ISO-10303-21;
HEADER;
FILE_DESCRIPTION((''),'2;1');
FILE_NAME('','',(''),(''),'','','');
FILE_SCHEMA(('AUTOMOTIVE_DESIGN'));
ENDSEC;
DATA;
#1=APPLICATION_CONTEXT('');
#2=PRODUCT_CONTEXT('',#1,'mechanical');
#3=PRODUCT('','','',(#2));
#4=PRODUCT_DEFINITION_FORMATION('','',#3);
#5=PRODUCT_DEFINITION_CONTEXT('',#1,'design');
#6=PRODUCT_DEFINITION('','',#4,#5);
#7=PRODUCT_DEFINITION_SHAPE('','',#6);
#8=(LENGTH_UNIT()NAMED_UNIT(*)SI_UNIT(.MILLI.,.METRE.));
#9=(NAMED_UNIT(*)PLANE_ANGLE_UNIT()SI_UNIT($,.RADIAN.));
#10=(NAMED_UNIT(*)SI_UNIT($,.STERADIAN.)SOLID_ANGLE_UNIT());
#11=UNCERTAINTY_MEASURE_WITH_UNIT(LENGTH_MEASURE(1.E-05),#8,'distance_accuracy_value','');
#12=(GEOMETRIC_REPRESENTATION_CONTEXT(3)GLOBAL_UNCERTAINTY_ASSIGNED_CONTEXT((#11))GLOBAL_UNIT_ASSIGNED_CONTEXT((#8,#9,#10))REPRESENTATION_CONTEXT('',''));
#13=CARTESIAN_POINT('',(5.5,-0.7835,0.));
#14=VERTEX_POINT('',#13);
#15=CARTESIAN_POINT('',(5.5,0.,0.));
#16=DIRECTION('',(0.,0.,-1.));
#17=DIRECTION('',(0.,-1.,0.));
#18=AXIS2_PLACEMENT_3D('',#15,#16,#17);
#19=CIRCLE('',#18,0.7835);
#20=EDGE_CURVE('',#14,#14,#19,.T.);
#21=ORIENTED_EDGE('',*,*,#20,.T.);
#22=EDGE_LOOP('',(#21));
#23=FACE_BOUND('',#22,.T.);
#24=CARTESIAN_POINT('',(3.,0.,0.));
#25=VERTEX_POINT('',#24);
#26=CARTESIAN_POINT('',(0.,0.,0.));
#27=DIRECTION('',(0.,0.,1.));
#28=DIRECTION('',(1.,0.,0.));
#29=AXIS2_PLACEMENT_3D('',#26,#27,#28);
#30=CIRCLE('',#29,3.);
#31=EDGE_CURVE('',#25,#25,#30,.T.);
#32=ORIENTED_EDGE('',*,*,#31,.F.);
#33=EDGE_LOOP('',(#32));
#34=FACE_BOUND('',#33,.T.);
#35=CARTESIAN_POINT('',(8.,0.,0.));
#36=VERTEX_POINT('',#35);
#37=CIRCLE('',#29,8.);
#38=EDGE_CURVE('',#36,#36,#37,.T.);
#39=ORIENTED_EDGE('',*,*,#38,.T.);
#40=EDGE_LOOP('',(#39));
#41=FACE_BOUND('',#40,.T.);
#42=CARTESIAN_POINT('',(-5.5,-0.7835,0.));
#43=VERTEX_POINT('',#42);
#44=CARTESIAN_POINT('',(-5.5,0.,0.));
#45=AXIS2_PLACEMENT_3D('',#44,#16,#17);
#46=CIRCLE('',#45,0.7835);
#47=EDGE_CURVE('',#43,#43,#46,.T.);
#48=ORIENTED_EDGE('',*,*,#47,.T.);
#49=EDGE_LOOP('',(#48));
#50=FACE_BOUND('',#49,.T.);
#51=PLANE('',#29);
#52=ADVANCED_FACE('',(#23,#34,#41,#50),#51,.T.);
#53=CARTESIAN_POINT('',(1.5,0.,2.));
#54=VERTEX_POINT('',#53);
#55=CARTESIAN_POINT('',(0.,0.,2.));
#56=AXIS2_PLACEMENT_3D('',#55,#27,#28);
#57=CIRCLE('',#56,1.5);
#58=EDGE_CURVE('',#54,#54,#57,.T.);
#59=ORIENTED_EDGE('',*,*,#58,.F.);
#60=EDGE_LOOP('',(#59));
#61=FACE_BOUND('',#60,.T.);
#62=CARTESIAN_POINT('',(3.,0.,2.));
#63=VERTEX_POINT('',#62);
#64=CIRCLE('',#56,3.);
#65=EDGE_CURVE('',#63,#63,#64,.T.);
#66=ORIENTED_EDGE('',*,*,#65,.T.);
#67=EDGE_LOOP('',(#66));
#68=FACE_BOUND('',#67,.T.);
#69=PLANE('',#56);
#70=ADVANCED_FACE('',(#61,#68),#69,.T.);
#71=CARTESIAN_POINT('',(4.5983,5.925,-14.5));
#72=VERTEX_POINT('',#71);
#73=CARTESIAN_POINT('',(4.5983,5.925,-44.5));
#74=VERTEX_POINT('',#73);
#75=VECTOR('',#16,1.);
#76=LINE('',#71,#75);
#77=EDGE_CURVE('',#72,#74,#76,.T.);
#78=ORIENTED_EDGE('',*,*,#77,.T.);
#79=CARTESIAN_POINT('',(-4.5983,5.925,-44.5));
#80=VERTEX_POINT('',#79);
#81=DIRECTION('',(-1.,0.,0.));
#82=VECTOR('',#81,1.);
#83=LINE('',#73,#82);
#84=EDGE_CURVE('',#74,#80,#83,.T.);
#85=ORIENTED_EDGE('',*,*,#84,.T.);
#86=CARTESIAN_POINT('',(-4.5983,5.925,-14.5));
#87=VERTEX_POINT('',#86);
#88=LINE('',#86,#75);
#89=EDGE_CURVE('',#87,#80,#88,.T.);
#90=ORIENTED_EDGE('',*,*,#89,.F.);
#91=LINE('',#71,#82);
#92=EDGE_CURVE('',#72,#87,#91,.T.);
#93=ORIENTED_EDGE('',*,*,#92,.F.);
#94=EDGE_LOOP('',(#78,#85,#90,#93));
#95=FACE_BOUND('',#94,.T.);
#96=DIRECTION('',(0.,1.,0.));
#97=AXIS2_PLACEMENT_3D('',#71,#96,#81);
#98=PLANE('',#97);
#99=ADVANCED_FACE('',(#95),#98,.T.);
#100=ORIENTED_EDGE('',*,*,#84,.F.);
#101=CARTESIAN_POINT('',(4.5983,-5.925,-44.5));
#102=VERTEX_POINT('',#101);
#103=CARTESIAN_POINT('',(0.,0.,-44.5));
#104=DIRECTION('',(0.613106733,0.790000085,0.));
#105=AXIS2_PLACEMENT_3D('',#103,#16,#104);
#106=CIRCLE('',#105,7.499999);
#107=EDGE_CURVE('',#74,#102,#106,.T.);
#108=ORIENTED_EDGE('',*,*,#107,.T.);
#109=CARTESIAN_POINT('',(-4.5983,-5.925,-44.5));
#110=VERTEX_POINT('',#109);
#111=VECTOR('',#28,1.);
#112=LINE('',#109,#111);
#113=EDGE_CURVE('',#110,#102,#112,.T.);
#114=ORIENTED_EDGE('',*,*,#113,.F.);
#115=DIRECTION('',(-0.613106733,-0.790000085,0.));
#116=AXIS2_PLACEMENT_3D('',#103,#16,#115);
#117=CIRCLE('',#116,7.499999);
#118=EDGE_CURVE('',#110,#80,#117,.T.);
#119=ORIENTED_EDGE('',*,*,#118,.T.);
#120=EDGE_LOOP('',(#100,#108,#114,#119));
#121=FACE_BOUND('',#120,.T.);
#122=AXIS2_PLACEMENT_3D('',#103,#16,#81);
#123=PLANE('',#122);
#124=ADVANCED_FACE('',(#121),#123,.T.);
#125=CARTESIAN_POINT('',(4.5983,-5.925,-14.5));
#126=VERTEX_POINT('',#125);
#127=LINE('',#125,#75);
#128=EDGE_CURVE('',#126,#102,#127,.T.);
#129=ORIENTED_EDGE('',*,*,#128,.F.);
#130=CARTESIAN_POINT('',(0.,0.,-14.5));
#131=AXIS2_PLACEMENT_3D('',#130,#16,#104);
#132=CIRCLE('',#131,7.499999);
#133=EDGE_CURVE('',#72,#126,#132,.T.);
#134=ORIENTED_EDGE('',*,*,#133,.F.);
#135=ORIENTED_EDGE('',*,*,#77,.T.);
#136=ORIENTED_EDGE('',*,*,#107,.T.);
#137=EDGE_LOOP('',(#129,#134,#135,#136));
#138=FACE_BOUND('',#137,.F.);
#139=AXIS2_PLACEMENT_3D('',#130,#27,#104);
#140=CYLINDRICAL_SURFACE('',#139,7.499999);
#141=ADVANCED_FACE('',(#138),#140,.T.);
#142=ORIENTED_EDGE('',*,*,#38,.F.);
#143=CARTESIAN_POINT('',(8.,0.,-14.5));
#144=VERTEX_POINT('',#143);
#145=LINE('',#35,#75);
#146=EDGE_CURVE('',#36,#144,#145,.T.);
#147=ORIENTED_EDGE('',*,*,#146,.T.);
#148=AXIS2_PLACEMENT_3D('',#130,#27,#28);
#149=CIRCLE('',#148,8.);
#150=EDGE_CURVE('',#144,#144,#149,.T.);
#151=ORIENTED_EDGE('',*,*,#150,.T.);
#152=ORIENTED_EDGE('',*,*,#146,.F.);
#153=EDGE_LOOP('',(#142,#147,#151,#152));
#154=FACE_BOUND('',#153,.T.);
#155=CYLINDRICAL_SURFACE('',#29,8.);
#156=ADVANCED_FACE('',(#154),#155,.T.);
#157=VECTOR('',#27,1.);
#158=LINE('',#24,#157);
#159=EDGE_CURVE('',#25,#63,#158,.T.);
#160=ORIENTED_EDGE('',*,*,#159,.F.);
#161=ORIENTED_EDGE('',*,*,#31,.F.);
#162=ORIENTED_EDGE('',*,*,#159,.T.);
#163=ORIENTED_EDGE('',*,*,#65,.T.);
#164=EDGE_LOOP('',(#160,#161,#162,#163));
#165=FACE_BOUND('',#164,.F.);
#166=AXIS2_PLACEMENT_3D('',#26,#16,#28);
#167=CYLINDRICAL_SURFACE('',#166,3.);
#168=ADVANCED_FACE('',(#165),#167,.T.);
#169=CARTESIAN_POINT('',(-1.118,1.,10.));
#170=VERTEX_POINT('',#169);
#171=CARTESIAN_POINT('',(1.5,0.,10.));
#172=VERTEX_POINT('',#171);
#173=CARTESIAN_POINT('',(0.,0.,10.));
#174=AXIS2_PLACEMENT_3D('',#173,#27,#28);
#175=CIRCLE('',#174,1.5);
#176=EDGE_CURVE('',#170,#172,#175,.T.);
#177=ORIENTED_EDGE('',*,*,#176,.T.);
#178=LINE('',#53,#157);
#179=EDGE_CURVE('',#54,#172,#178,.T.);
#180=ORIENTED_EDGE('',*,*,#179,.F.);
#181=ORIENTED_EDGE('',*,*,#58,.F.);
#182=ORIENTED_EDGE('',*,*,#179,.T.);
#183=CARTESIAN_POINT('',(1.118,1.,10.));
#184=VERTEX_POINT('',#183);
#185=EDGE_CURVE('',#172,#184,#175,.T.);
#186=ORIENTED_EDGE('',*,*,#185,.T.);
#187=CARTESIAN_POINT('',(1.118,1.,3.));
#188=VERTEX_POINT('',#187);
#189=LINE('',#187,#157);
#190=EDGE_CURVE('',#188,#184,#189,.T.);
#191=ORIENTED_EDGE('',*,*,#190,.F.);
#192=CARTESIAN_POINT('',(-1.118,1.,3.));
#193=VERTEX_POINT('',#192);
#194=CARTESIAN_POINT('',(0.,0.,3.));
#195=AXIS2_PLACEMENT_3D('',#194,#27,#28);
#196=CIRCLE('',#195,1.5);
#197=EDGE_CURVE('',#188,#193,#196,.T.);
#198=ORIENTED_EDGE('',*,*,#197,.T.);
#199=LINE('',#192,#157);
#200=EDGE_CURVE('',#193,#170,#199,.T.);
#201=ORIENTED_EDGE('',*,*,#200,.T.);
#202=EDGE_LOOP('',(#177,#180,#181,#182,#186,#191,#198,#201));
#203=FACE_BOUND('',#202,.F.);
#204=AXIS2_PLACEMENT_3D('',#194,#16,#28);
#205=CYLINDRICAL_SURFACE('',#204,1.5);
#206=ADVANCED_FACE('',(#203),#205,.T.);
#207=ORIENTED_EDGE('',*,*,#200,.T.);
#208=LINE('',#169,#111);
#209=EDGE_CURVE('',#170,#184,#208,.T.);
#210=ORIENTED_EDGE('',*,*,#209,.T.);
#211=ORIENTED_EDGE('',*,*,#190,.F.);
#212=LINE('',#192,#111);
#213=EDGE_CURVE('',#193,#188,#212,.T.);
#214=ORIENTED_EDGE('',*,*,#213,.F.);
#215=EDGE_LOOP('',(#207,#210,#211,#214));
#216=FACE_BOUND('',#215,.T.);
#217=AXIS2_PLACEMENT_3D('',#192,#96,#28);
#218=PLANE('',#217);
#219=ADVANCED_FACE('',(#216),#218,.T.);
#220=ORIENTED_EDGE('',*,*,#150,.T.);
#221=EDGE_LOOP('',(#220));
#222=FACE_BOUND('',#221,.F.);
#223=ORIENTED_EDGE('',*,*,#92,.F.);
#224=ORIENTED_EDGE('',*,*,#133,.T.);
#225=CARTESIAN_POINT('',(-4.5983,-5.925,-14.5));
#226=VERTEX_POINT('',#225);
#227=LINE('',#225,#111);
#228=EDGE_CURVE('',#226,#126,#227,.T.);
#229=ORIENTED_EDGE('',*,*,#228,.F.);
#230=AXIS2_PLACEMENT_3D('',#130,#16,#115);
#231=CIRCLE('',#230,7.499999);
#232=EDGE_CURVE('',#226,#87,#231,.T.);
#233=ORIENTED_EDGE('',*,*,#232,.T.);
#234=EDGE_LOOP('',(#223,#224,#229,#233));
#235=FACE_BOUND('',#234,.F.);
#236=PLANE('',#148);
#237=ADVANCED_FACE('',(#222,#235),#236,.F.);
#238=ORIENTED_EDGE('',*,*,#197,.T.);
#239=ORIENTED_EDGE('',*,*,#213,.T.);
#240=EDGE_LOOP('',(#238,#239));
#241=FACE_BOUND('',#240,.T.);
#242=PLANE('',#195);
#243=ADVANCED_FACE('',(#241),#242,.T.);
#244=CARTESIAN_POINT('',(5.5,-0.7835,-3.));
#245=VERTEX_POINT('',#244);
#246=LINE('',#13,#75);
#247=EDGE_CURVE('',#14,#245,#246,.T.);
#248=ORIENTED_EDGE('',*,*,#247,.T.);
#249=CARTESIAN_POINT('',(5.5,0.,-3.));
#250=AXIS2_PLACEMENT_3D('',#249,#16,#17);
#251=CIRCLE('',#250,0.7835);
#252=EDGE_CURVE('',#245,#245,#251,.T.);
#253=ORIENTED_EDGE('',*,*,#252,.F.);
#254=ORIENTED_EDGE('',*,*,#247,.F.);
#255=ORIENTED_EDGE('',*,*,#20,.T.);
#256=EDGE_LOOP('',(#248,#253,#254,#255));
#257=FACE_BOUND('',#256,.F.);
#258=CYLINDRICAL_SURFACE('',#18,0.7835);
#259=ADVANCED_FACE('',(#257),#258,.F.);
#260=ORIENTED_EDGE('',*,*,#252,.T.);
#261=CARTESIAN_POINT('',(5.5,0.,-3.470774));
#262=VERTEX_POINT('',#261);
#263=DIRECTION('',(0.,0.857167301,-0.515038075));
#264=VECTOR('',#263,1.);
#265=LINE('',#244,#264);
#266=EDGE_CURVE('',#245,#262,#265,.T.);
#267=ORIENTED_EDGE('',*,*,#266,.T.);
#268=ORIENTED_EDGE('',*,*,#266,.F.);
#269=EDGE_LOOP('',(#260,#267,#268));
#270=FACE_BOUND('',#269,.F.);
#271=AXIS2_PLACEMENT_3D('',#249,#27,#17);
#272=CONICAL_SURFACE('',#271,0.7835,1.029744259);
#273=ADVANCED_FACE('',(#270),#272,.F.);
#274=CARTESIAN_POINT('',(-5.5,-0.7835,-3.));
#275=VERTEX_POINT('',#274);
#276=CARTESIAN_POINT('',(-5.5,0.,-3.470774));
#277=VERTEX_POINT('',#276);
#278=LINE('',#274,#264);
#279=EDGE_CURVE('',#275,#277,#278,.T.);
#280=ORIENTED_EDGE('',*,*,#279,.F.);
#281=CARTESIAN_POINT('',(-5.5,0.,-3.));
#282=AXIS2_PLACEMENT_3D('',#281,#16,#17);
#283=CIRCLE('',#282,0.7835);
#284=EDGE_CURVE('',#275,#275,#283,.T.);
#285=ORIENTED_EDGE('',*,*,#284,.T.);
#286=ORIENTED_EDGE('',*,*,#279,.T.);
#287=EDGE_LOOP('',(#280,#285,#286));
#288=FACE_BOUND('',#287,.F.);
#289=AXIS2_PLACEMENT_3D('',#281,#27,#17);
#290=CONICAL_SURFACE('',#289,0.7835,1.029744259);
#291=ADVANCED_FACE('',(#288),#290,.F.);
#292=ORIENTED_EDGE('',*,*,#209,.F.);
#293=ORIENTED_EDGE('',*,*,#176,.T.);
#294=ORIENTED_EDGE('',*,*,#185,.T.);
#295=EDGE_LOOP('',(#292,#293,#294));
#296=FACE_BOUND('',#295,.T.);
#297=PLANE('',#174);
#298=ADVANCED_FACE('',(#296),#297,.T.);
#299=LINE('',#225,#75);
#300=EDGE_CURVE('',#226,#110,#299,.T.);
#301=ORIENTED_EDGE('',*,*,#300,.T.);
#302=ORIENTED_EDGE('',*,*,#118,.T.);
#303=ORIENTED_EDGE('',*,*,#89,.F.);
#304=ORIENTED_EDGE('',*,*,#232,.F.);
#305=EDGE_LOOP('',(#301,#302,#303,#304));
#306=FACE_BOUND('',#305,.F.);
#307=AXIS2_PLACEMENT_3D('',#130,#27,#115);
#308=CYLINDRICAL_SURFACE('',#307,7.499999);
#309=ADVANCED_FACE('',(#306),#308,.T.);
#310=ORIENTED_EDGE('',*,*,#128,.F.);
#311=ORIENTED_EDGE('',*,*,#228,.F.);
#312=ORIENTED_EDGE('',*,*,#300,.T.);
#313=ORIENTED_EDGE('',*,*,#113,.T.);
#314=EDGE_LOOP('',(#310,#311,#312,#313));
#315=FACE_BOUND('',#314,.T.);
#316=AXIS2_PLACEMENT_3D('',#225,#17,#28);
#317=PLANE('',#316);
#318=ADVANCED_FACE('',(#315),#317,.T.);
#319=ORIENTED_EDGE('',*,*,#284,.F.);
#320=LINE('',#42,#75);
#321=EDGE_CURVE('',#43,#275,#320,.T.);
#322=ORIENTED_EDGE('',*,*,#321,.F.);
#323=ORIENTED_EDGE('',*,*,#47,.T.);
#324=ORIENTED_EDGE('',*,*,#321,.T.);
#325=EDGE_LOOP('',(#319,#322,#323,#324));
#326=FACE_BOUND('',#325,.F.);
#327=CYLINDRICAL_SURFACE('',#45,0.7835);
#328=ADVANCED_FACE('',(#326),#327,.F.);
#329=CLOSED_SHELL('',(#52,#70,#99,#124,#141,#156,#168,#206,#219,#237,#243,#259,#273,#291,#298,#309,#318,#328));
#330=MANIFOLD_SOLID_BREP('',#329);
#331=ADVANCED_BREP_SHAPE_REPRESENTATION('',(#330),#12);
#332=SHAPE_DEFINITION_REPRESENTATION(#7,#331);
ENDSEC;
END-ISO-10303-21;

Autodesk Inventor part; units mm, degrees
ref_plane "YZ Plane" through (0, 0, 0) normal (1, 0, 0) x (0, 1, 0)
ref_plane "XZ Plane" through (0, 0, 0) normal (0, 1, 0) x (-1, 0, 0)
ref_plane "XY Plane" through (0, 0, 0) normal (0, 0, 1) x (1, 0, 0)
sketch "Skizze1" plane through (0, 0, 0) normal (0, 0, 1) x (1, 0, 0)
  circle A0 centre (0, 0) radius 8
  line L0 (-5.5, 0) -> (5.5, 0) construction
  circle A1 centre (0, 0) radius 3
  circle A2 centre (0, 0) radius 1.5
  arc A3 (-1.118, 1) -> (1.118, 1) centre (0, 0) ccw construction
  line L1 (-1.118, 1) -> (1.118, 1)
  dimension "d3" = 3
  dimension "d0" = 16
  dimension "d1" = 11
  dimension "d2" = 6
  dimension "d4" = 2.5
extrude "Extrusion1" add sketch "Skizze1" along normal blind 2 contours A1 | A2 L1 | L1 A2
sketch "Skizze2" plane through (0, 0, 2) normal (0, 0, 1) x (1, 0, 0)
  circle A0 centre (0, 0) radius 1.5 projected
extrude "Extrusion2" add sketch "Skizze2" along normal blind 1
sketch "Skizze3" plane through (0, 0, 3) normal (0, 0, 1) x (1, 0, 0)
  circle A0 centre (0, 0) radius 1.5 projected
  line L0 (-1.118, 1) -> (1.118, 1) projected
  circle A1 centre (0, 0) radius 1.5 projected
extrude "Extrusion3" add sketch "Skizze3" along normal blind 7 contours A0 L0 picked at (0.0594, 0.1702)
extrude "Extrusion4" add sketch "Skizze1" against normal blind 14.5 contours A0 | A1 | A2 L1 | L1 A2
sketch "Skizze4" plane through (0, 0, -14.5) normal (0, 0, -1) x (-1, 0, 0)
  circle A0 centre (0, 0) radius 8 projected
  arc A1 (-4.5983, 5.925) -> (-4.5983, -5.925) centre (0, 0) ccw
  arc A2 (4.5983, -5.925) -> (4.5983, 5.925) centre (0, 0) ccw
  line L0 (-4.5983, 5.925) -> (4.5983, 5.925)
  line L1 (4.5983, -5.925) -> (-4.5983, -5.925)
  dimension "d14" = 7.5
  dimension "d15" = 11.85
extrude "Extrusion5" add sketch "Skizze4" along normal blind 30 contours L0 A2 L1 A1
hole "Bohrung1" at (-5.5, 0, 0) at (5.5, 0, 0) direction (0, 0, -1) diameter 1.567 depth 3 tip angle 118 thread size "M2x0.4" class "6H" standard "ANSI Metric M Profile"
properties part number "dc-motor_12V_60U-min" material "Aluminium 6061"
